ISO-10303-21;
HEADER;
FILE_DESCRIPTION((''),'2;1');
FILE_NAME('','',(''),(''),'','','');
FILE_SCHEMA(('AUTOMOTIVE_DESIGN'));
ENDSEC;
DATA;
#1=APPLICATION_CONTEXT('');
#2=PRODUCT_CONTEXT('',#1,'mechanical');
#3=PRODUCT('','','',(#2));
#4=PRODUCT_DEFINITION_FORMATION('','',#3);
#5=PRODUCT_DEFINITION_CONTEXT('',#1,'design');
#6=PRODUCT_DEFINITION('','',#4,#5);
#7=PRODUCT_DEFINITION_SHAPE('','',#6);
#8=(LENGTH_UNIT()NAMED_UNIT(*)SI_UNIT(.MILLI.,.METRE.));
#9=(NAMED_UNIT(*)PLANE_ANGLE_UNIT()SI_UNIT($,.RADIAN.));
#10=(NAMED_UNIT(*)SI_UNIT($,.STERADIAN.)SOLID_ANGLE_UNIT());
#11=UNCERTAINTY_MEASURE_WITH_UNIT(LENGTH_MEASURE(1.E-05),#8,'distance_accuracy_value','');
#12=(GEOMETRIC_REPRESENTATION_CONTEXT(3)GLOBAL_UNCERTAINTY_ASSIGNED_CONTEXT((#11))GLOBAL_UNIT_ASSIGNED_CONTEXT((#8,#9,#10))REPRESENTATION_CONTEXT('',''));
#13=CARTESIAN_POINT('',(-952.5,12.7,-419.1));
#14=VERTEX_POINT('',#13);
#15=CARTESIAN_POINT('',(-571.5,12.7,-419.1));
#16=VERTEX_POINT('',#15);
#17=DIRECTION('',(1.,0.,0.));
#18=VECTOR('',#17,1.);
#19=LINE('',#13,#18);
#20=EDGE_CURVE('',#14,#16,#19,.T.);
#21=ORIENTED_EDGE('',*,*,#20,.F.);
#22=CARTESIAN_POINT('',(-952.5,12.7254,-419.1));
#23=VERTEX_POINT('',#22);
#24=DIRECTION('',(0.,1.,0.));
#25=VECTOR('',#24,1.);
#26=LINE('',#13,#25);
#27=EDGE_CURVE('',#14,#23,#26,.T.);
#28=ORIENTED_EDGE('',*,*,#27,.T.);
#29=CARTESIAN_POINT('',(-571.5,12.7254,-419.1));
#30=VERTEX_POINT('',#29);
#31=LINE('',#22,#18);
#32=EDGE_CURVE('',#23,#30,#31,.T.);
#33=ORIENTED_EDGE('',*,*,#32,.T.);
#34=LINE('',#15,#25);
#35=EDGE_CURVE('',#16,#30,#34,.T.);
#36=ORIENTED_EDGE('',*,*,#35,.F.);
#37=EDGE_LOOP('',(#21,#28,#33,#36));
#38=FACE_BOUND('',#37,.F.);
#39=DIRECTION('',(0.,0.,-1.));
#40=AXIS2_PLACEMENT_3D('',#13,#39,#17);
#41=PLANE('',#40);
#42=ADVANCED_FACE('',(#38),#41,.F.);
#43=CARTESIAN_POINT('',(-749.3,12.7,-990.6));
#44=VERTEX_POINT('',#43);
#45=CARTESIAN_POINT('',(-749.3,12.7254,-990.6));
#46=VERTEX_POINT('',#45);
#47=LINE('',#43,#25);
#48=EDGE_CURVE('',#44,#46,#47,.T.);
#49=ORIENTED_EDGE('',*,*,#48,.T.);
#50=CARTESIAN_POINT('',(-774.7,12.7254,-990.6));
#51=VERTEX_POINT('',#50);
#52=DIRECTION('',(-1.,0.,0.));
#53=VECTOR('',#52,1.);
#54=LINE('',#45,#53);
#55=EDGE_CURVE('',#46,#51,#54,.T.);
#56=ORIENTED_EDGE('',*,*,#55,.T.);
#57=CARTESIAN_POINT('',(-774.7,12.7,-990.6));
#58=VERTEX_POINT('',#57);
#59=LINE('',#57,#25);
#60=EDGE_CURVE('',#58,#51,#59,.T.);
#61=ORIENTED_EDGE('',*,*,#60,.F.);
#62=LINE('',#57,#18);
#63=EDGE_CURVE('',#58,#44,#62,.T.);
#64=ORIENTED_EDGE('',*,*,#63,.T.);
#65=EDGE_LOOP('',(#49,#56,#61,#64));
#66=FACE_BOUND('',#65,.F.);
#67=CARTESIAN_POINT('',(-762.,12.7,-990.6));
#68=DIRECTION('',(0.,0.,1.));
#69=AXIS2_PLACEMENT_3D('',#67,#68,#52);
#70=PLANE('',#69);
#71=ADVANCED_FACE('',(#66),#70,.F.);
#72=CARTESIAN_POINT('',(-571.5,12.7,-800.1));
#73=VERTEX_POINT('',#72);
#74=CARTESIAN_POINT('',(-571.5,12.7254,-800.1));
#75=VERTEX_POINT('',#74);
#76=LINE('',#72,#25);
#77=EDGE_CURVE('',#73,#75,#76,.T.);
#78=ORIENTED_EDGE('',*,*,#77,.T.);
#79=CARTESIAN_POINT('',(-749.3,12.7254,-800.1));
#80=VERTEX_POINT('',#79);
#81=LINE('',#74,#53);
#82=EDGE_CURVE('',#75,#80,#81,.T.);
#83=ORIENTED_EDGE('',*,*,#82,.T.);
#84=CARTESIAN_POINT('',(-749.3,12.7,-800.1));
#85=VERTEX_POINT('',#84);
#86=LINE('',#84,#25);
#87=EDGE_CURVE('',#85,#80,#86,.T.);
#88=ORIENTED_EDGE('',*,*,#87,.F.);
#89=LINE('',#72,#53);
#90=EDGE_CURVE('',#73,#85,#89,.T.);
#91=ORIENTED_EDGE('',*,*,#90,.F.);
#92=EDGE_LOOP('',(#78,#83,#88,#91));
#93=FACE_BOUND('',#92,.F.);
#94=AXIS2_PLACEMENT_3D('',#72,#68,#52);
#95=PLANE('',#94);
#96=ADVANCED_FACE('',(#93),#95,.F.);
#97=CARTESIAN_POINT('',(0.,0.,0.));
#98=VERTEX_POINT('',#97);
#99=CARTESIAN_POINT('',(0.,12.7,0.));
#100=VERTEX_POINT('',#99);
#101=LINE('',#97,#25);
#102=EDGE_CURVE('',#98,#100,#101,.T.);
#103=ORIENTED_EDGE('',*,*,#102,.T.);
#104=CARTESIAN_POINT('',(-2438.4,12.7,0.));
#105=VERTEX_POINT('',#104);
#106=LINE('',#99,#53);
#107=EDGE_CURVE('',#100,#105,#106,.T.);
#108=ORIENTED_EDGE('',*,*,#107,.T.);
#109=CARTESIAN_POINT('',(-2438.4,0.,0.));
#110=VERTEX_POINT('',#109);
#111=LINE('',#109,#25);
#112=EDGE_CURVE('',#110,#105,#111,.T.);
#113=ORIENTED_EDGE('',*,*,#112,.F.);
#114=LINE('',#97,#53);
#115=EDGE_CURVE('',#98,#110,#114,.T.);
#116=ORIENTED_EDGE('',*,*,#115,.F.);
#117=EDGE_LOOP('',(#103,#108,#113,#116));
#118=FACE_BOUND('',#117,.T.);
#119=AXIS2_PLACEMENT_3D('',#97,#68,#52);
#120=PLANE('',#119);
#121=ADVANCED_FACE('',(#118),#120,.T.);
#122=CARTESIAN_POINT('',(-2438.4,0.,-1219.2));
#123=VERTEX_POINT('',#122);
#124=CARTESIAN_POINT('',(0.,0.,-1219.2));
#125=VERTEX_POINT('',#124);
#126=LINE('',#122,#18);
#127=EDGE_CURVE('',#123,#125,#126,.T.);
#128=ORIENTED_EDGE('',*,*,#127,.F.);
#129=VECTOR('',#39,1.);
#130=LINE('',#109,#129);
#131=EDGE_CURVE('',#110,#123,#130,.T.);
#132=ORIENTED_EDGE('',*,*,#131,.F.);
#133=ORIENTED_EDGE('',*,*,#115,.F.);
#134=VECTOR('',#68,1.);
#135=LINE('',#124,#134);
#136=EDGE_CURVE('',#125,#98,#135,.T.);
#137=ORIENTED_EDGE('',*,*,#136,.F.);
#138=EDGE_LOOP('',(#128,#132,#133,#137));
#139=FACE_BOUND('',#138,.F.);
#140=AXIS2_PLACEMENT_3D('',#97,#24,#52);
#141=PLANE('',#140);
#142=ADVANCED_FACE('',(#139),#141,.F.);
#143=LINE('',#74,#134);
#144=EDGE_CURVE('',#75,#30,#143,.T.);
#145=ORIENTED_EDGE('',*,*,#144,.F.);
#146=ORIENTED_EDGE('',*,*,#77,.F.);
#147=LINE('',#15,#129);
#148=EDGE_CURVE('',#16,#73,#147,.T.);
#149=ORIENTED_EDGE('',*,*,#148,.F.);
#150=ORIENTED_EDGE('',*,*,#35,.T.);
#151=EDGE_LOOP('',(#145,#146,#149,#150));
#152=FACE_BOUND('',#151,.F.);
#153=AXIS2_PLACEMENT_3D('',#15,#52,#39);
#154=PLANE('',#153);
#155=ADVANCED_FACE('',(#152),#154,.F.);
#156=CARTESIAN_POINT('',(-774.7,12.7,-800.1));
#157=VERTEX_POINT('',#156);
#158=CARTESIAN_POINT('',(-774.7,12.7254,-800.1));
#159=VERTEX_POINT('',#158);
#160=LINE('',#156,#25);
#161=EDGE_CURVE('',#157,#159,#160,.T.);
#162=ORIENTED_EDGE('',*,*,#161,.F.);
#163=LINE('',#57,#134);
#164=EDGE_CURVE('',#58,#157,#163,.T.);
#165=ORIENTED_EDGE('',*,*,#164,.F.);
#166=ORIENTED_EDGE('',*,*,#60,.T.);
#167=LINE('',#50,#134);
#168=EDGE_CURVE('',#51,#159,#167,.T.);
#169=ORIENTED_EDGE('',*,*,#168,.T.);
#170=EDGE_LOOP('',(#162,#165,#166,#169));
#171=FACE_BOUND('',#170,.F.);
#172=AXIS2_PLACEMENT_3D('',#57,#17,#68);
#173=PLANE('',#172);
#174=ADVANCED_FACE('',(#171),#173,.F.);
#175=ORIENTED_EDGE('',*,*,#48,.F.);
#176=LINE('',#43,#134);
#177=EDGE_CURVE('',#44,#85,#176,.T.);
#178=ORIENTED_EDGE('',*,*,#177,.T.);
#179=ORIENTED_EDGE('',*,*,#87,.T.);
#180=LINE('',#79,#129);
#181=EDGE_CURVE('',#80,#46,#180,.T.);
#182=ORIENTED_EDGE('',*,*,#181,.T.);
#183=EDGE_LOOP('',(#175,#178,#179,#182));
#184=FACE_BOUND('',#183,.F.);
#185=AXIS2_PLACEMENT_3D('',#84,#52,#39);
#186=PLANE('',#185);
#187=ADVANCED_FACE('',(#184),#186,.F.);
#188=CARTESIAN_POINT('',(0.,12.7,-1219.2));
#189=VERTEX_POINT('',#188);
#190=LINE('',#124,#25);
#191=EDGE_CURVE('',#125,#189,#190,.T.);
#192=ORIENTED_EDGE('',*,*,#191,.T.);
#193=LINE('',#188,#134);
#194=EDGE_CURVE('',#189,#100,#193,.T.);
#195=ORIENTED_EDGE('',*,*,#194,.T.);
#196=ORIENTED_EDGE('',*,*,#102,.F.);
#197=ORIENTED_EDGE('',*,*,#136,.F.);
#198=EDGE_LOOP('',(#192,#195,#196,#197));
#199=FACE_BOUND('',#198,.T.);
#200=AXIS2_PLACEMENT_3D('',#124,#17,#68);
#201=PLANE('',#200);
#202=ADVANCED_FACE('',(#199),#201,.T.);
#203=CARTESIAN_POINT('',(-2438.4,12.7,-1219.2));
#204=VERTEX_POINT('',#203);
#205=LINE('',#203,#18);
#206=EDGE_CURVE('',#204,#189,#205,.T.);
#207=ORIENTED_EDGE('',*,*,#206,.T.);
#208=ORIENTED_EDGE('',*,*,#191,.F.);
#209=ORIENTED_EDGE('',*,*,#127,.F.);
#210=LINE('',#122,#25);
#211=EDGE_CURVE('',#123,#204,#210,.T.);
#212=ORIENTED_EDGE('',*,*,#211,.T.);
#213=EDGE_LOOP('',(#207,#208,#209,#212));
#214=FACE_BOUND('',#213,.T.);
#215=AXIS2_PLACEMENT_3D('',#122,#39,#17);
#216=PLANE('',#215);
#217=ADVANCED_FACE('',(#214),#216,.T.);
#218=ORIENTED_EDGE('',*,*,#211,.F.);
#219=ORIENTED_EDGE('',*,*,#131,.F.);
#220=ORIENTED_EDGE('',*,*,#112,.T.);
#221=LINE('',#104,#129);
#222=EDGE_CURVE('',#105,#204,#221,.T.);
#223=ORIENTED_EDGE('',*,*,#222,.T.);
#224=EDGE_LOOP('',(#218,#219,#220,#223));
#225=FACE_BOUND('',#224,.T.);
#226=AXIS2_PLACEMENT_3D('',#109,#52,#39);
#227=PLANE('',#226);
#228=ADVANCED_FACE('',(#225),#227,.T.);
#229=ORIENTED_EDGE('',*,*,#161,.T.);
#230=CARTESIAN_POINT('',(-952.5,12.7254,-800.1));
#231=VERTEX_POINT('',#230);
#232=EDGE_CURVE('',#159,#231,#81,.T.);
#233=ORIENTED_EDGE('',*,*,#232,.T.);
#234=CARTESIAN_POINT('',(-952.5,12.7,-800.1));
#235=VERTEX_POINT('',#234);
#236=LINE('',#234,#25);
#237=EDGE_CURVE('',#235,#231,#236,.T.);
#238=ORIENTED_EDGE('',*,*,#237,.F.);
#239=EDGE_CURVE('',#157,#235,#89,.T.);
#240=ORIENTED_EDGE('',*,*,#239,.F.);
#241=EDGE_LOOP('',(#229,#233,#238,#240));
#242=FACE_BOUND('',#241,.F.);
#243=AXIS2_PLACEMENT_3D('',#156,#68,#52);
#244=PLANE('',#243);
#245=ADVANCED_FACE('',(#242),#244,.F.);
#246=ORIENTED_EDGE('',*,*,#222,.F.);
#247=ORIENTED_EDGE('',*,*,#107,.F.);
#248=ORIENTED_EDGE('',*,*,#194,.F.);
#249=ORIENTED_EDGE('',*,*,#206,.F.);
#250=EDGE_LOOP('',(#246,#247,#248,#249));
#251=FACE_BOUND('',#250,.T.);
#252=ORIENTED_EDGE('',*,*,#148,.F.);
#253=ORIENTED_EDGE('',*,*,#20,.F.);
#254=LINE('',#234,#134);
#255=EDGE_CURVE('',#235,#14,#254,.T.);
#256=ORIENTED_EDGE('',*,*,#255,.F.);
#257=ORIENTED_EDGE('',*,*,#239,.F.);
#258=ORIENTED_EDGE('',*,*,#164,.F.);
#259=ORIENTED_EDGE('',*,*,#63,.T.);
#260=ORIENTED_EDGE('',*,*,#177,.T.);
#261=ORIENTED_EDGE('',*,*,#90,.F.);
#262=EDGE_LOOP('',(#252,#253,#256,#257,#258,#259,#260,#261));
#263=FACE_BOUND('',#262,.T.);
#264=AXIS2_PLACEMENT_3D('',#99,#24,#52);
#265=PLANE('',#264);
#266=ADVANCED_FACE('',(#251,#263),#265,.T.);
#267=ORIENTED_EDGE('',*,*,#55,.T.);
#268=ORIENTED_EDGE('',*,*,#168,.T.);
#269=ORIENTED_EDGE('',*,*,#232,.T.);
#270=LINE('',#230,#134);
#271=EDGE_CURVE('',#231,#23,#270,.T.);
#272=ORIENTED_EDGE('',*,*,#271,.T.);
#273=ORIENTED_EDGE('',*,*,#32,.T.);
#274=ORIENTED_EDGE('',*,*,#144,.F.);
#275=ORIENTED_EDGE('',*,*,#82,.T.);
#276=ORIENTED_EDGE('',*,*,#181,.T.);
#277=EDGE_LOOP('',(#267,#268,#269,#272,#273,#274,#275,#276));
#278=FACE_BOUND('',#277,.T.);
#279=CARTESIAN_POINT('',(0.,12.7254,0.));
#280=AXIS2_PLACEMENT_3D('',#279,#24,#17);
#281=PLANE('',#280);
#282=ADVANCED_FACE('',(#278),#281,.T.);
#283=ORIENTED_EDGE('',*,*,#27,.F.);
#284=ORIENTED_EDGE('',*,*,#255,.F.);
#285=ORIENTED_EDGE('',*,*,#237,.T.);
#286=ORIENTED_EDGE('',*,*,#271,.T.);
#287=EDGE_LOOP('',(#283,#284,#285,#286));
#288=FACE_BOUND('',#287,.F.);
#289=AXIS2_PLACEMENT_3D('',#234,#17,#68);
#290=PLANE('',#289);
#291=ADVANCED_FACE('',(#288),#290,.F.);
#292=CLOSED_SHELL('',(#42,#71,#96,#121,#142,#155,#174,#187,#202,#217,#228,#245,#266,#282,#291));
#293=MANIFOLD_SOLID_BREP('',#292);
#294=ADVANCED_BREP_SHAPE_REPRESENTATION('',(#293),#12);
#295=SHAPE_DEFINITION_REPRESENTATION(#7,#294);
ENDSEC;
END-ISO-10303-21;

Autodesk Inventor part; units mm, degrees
ref_plane "YZ Plane" through (0, 0, 0) normal (1, 0, 0) x (0, 1, 0)
ref_plane "XZ Plane" through (0, 0, 0) normal (0, 1, 0) x (-1, 0, 0)
ref_plane "XY Plane" through (0, 0, 0) normal (0, 0, 1) x (1, 0, 0)
sketch "Sketch1" plane through (0, 0, 0) normal (0, 1, 0) x (-1, 0, 0)
  line L0 (0, 0) -> (2438.4, 0)
  line L1 (2438.4, 0) -> (2438.4, -1219.2)
  line L2 (2438.4, -1219.2) -> (0, -1219.2)
  line L3 (0, -1219.2) -> (0, 0)
  dimension "d0" = 2438.4
  dimension "d1" = 1219.2
extrude "Extrusion1" add sketch "Sketch1" along normal blind 12.7
sketch "Sketch2" plane through (0, 12.7, 0) normal (0, 1, 0) x (1, 0, 0)
  line L0 (0, 0) -> (0, 1219.2) projected
  line L1 (0, 609.6) -> (-38.1, 609.6)
  line L2 (-2438.4, 0) -> (0, 0) projected
  line L3 (-1219.2, 0) -> (-1219.2, 38.1)
  line L4 (-2400.3, 1181.1) -> (-2400.3, 38.1)
  line L5 (-2400.3, 38.1) -> (-38.1, 38.1)
  line L6 (-38.1, 38.1) -> (-38.1, 1181.1)
  line L7 (-38.1, 1181.1) -> (-2400.3, 1181.1)
  line L8 (-2400.3, 1181.1) -> (-38.1, 38.1) construction
  line L9 (-2400.3, 38.1) -> (-38.1, 1181.1) construction
  line L10 (-2438.4, 1219.2) -> (-2438.4, 0) projected
  line L11 (0, 0) -> (-2438.4, 0)
  line L12 (-2438.4, 0) -> (-2438.4, 1219.2)
  line L13 (-2438.4, 1219.2) -> (0, 1219.2)
  line L14 (0, 1219.2) -> (0, 0)
  line L15 (0, 0) -> (-2438.4, 1219.2) construction
  line L16 (-2438.4, 0) -> (0, 1219.2) construction
  line L17 (-38.1, 609.6) -> (-571.5, 609.6)
  line L18 (-571.5, 609.6) -> (-762, 609.6)
  line L19 (-952.5, 419.1) -> (-571.5, 419.1)
  line L20 (-571.5, 419.1) -> (-571.5, 800.1)
  line L21 (-571.5, 800.1) -> (-952.5, 800.1)
  line L22 (-952.5, 800.1) -> (-952.5, 419.1)
  line L23 (-952.5, 419.1) -> (-571.5, 800.1) construction
  line L24 (-571.5, 419.1) -> (-952.5, 800.1) construction
  line L25 (-762, 609.6) -> (-762, 800.1)
  line L26 (-762, 800.1) -> (-762, 990.6)
  line L27 (-762, 800.1) -> (-571.5, 800.1) construction
  line L28 (-762, 895.35) -> (-749.3, 895.35)
  line L29 (-774.7, 800.1) -> (-749.3, 800.1)
  line L30 (-749.3, 800.1) -> (-749.3, 990.6)
  line L31 (-749.3, 990.6) -> (-774.7, 990.6)
  line L32 (-774.7, 990.6) -> (-774.7, 800.1)
  line L33 (-774.7, 800.1) -> (-749.3, 990.6) construction
  line L34 (-749.3, 800.1) -> (-774.7, 990.6) construction
  point P0 (-1219.2, 609.6)
  dimension "d4" = 38.1
  dimension "d5" = 38.1
  dimension "d6" = 533.4
  dimension "d7" = 190.5
  dimension "d8" = 381
  dimension "d9" = 381
  dimension "d10" = 190.5
  dimension "d11" = 90
  dimension "d12" = 12.7
  dimension "d13" = 190.5
extrude "Extrusion2" add sketch "Sketch2" along normal blind 0.0254 contours L20 L19 L22 L21 L25 L18 | L18 L25 L21 L20 | L26 L28 L30 L21 | L21 L32 L31 L26 | L26 L31 L30 L28
properties part number "baseField" material "Wood (Birch)"
